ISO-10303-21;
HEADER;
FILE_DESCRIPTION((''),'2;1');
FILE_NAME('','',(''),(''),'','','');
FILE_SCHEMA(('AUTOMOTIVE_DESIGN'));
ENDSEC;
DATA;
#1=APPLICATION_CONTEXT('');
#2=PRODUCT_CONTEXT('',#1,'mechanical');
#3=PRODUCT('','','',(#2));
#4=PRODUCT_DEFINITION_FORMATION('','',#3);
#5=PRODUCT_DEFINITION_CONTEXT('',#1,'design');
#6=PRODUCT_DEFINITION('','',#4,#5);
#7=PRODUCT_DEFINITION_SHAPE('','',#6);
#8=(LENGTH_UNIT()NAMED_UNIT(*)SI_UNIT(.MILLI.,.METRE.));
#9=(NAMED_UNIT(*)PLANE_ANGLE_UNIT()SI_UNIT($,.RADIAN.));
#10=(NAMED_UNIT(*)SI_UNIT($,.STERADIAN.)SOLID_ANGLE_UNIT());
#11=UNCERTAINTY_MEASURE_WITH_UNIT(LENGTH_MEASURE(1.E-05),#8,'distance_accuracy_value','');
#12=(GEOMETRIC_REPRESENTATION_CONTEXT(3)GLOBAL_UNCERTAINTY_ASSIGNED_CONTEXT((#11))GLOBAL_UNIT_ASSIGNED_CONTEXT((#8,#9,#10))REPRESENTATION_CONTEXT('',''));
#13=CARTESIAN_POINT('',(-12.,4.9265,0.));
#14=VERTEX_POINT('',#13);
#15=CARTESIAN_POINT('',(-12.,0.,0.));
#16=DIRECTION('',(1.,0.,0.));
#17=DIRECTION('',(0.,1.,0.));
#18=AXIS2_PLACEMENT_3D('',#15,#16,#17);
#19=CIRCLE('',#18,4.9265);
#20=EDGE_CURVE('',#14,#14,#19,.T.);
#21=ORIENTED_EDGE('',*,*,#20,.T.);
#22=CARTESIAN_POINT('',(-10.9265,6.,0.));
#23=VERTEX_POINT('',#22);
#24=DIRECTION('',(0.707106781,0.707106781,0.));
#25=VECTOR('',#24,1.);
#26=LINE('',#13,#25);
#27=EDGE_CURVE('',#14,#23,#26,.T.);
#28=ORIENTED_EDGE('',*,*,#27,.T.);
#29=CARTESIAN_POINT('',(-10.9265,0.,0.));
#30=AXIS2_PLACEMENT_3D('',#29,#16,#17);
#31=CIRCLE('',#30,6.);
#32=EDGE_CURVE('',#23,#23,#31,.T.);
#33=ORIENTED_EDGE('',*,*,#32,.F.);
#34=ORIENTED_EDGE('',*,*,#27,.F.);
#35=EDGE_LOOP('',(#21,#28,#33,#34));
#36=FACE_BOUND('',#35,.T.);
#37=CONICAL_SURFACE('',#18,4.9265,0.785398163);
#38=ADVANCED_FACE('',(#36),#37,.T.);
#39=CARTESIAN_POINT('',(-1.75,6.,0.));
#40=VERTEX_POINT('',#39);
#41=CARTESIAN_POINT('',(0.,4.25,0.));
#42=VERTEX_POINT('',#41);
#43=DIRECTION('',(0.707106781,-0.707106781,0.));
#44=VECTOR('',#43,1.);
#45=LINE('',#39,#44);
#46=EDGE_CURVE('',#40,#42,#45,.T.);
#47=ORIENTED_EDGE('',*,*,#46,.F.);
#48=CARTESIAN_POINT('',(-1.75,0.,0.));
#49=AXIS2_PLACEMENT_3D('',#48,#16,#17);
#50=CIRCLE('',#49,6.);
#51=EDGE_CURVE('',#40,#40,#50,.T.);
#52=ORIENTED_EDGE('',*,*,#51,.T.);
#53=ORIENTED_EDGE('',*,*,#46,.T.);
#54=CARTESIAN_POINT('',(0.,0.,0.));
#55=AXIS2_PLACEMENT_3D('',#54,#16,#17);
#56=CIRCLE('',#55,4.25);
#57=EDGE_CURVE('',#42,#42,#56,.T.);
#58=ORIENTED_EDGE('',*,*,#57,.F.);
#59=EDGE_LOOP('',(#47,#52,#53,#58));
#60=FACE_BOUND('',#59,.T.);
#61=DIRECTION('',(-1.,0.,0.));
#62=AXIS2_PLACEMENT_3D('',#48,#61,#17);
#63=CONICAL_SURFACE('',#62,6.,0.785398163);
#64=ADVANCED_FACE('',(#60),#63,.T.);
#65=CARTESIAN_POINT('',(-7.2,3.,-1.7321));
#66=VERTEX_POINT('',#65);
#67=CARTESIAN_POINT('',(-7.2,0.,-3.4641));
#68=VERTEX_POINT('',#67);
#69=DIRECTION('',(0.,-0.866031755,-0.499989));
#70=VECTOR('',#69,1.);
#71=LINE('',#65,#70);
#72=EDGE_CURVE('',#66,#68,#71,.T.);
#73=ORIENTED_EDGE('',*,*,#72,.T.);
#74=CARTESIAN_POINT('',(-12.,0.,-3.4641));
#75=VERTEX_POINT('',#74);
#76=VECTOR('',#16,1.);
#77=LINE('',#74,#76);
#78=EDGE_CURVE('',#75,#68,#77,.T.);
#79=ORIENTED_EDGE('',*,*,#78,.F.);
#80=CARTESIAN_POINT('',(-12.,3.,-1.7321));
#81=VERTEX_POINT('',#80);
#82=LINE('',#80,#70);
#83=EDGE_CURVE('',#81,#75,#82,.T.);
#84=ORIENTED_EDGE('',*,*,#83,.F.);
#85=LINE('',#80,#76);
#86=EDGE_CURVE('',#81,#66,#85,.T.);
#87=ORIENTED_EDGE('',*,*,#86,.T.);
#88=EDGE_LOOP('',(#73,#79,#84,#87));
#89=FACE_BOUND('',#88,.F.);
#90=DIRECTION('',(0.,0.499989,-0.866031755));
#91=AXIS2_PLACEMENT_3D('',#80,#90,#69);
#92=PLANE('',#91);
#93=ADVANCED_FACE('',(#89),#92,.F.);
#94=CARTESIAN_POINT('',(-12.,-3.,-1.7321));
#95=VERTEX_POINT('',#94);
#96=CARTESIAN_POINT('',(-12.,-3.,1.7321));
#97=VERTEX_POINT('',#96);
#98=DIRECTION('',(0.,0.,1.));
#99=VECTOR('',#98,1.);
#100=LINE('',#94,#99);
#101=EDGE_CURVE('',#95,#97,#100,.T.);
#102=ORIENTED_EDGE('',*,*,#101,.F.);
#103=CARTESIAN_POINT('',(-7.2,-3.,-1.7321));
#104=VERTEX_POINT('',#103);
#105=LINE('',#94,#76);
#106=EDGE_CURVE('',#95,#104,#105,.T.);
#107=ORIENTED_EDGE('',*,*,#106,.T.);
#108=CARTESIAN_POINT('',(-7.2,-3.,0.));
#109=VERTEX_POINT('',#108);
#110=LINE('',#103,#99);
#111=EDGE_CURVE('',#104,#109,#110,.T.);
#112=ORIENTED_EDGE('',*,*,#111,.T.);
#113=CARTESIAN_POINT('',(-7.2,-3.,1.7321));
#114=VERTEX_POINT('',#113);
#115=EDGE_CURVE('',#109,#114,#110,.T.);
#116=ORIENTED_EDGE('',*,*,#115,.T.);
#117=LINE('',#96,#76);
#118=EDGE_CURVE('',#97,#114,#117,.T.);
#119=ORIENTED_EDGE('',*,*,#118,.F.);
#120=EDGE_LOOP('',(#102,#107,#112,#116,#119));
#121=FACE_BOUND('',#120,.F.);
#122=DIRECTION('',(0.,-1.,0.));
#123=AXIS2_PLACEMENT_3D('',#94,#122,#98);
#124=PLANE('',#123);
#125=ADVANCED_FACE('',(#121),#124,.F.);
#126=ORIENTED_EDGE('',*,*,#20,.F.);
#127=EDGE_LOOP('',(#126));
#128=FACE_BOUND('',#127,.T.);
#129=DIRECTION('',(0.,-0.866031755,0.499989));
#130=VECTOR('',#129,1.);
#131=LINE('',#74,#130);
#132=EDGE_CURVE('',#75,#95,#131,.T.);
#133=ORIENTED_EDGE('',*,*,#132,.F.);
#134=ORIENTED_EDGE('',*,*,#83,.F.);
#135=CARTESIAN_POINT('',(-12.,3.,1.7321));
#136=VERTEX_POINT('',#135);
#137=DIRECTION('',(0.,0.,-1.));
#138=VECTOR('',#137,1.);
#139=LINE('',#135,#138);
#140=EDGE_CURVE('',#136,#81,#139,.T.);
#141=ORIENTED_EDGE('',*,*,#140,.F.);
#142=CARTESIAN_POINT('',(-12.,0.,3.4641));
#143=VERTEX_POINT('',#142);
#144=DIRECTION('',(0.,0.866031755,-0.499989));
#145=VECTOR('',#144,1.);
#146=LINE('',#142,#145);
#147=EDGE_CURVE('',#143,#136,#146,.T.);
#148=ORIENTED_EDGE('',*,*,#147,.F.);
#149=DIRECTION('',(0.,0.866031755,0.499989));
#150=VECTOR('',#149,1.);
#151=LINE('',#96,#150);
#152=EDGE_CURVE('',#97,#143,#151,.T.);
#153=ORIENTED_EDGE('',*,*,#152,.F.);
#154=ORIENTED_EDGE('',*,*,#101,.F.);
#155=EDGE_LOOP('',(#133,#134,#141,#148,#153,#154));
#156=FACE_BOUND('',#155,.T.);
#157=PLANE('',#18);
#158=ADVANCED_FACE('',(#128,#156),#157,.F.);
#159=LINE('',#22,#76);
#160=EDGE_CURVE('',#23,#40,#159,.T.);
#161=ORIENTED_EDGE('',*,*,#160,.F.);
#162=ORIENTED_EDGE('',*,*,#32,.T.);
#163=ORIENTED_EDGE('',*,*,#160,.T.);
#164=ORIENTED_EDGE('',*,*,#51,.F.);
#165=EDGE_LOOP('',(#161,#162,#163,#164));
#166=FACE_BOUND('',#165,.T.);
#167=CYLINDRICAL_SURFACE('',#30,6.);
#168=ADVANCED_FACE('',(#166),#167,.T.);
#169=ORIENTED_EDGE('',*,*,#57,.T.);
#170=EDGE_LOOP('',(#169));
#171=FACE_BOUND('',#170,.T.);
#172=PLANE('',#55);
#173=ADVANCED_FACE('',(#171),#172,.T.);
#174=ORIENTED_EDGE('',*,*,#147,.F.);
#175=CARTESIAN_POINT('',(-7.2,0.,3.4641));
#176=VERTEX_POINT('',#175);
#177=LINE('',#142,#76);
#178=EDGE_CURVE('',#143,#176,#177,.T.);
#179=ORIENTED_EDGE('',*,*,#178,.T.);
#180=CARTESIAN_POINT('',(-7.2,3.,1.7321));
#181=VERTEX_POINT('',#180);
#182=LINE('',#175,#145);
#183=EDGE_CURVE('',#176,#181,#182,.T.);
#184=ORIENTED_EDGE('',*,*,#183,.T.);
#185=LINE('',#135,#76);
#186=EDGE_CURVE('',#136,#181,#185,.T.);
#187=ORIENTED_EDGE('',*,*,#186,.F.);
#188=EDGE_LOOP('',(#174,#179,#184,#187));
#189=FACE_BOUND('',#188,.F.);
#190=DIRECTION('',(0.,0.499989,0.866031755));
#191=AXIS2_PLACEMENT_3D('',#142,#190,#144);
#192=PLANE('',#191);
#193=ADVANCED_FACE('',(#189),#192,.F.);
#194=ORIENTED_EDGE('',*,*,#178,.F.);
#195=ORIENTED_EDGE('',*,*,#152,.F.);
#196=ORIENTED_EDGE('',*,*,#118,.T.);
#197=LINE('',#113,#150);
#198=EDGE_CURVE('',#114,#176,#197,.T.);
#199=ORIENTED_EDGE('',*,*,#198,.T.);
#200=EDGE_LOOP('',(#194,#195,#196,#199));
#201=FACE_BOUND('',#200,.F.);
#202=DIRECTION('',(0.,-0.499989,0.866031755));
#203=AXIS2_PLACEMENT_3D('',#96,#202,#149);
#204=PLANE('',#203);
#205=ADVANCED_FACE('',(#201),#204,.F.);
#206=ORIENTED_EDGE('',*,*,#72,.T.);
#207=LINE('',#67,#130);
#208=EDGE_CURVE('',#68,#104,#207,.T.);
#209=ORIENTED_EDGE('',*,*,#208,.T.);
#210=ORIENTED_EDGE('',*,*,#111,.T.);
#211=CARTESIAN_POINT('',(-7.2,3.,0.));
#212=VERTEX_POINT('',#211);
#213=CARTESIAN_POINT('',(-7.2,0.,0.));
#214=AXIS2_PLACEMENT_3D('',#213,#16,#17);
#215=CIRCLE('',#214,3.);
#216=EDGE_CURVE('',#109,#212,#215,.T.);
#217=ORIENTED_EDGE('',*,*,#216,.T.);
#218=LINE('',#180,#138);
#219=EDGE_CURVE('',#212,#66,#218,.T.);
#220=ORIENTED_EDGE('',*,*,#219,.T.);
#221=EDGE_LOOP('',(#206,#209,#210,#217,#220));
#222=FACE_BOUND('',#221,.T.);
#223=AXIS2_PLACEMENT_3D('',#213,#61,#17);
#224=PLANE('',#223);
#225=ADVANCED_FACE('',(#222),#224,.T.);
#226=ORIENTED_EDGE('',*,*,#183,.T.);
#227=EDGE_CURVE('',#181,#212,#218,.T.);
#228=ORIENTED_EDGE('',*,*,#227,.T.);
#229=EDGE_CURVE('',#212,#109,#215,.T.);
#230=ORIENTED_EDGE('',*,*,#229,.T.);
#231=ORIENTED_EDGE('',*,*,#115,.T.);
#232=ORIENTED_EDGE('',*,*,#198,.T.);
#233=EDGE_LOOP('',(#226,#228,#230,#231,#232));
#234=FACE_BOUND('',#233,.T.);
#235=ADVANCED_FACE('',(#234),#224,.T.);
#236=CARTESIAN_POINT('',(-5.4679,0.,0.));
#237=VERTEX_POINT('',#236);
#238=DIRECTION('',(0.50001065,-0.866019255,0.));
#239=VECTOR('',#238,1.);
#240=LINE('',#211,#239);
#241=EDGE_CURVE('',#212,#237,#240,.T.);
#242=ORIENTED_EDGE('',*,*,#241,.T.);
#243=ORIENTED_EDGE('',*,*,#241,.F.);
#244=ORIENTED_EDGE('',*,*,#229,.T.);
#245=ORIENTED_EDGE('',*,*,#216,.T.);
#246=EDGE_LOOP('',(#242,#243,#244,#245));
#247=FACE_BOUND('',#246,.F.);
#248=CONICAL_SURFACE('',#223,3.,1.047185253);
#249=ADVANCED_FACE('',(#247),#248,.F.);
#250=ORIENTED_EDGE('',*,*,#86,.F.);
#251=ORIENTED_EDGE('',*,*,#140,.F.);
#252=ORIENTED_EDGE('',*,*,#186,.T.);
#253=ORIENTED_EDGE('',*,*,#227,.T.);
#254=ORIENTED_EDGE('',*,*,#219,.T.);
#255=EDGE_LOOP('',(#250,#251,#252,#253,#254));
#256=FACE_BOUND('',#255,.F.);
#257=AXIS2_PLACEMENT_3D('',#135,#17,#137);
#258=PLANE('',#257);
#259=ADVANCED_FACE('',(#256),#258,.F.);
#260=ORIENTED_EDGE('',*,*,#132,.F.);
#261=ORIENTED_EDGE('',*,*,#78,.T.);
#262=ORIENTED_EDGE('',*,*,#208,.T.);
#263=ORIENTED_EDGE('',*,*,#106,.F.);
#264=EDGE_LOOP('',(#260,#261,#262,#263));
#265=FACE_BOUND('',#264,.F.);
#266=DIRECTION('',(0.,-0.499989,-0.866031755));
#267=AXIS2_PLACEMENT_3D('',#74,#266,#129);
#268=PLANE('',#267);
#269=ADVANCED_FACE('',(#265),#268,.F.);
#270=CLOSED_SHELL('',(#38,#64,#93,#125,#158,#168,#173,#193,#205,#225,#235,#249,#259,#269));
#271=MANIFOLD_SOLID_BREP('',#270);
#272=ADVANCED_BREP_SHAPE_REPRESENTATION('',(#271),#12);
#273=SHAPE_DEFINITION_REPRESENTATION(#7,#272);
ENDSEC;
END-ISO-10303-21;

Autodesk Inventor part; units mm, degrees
sketch "Sketch_1" plane through (0, 0, 0) normal (0, 0, 1) x (1, 0, 0)
  line L0 (0, 0) -> (-12, 0)
  line L1 (-12, 0) -> (-12, 4.9265)
  line L2 (-12, 4.9265) -> (-10.9265, 6)
  line L3 (-10.9265, 6) -> (-1.75, 6)
  line L4 (-1.75, 6) -> (0, 4.25)
  line L5 (0, 4.25) -> (0, 0)
  line L6 (0, 0) -> (-12, 0)
revolve "Revolution1" add sketch "Sketch_1" angle 360 about axis through (0, 0, 0) along (1, 0, 0)
thread "Thread1" size "M12x1.75" class "6g" standard "ISO Metric profile" full length
sketch "Sketch_2" plane through (-12, 0, 0) normal (-1, 0, 0) x (0, 1, 0)
  line L0 (-3, -1.7321) -> (0, -3.4641)
  line L1 (0, -3.4641) -> (3, -1.7321)
  line L2 (3, -1.7321) -> (3, 1.7321)
  line L3 (3, 1.7321) -> (0, 3.4641)
  line L4 (0, 3.4641) -> (-3, 1.7321)
  line L5 (-3, 1.7321) -> (-3, -1.7321)
extrude "Extrusion1" cut sketch "Sketch_2" against normal blind 4.8
sketch "Sketch_3" plane through (0, 0, 0) normal (0, 0, 1) x (1, 0, 0)
  line L0 (-5.4679, 0) -> (-7.2, 0)
  line L1 (-7.2, 0) -> (-7.2, 3)
  line L2 (-7.2, 3) -> (-5.4679, 0)
  line L3 (-5.4679, 0) -> (-7.2, 0)
revolve "Revolution2" cut sketch "Sketch_3" angle 360 about axis through (-5.4679, 0, 0) along (1, 0, 0)
ref_plane "CP_XY" through (0, 0, 0) normal (1, 0, 0) x (0, 0, -1)
ref_plane "CP_YZ" through (0, 0, 0) normal (0, 0, -1) x (0, 1, 0)
ref_plane "CP_ZX" through (0, 0, 0) normal (0, 1, 0) x (1, 0, 0)
properties part number "SET-SCREW12-12"
